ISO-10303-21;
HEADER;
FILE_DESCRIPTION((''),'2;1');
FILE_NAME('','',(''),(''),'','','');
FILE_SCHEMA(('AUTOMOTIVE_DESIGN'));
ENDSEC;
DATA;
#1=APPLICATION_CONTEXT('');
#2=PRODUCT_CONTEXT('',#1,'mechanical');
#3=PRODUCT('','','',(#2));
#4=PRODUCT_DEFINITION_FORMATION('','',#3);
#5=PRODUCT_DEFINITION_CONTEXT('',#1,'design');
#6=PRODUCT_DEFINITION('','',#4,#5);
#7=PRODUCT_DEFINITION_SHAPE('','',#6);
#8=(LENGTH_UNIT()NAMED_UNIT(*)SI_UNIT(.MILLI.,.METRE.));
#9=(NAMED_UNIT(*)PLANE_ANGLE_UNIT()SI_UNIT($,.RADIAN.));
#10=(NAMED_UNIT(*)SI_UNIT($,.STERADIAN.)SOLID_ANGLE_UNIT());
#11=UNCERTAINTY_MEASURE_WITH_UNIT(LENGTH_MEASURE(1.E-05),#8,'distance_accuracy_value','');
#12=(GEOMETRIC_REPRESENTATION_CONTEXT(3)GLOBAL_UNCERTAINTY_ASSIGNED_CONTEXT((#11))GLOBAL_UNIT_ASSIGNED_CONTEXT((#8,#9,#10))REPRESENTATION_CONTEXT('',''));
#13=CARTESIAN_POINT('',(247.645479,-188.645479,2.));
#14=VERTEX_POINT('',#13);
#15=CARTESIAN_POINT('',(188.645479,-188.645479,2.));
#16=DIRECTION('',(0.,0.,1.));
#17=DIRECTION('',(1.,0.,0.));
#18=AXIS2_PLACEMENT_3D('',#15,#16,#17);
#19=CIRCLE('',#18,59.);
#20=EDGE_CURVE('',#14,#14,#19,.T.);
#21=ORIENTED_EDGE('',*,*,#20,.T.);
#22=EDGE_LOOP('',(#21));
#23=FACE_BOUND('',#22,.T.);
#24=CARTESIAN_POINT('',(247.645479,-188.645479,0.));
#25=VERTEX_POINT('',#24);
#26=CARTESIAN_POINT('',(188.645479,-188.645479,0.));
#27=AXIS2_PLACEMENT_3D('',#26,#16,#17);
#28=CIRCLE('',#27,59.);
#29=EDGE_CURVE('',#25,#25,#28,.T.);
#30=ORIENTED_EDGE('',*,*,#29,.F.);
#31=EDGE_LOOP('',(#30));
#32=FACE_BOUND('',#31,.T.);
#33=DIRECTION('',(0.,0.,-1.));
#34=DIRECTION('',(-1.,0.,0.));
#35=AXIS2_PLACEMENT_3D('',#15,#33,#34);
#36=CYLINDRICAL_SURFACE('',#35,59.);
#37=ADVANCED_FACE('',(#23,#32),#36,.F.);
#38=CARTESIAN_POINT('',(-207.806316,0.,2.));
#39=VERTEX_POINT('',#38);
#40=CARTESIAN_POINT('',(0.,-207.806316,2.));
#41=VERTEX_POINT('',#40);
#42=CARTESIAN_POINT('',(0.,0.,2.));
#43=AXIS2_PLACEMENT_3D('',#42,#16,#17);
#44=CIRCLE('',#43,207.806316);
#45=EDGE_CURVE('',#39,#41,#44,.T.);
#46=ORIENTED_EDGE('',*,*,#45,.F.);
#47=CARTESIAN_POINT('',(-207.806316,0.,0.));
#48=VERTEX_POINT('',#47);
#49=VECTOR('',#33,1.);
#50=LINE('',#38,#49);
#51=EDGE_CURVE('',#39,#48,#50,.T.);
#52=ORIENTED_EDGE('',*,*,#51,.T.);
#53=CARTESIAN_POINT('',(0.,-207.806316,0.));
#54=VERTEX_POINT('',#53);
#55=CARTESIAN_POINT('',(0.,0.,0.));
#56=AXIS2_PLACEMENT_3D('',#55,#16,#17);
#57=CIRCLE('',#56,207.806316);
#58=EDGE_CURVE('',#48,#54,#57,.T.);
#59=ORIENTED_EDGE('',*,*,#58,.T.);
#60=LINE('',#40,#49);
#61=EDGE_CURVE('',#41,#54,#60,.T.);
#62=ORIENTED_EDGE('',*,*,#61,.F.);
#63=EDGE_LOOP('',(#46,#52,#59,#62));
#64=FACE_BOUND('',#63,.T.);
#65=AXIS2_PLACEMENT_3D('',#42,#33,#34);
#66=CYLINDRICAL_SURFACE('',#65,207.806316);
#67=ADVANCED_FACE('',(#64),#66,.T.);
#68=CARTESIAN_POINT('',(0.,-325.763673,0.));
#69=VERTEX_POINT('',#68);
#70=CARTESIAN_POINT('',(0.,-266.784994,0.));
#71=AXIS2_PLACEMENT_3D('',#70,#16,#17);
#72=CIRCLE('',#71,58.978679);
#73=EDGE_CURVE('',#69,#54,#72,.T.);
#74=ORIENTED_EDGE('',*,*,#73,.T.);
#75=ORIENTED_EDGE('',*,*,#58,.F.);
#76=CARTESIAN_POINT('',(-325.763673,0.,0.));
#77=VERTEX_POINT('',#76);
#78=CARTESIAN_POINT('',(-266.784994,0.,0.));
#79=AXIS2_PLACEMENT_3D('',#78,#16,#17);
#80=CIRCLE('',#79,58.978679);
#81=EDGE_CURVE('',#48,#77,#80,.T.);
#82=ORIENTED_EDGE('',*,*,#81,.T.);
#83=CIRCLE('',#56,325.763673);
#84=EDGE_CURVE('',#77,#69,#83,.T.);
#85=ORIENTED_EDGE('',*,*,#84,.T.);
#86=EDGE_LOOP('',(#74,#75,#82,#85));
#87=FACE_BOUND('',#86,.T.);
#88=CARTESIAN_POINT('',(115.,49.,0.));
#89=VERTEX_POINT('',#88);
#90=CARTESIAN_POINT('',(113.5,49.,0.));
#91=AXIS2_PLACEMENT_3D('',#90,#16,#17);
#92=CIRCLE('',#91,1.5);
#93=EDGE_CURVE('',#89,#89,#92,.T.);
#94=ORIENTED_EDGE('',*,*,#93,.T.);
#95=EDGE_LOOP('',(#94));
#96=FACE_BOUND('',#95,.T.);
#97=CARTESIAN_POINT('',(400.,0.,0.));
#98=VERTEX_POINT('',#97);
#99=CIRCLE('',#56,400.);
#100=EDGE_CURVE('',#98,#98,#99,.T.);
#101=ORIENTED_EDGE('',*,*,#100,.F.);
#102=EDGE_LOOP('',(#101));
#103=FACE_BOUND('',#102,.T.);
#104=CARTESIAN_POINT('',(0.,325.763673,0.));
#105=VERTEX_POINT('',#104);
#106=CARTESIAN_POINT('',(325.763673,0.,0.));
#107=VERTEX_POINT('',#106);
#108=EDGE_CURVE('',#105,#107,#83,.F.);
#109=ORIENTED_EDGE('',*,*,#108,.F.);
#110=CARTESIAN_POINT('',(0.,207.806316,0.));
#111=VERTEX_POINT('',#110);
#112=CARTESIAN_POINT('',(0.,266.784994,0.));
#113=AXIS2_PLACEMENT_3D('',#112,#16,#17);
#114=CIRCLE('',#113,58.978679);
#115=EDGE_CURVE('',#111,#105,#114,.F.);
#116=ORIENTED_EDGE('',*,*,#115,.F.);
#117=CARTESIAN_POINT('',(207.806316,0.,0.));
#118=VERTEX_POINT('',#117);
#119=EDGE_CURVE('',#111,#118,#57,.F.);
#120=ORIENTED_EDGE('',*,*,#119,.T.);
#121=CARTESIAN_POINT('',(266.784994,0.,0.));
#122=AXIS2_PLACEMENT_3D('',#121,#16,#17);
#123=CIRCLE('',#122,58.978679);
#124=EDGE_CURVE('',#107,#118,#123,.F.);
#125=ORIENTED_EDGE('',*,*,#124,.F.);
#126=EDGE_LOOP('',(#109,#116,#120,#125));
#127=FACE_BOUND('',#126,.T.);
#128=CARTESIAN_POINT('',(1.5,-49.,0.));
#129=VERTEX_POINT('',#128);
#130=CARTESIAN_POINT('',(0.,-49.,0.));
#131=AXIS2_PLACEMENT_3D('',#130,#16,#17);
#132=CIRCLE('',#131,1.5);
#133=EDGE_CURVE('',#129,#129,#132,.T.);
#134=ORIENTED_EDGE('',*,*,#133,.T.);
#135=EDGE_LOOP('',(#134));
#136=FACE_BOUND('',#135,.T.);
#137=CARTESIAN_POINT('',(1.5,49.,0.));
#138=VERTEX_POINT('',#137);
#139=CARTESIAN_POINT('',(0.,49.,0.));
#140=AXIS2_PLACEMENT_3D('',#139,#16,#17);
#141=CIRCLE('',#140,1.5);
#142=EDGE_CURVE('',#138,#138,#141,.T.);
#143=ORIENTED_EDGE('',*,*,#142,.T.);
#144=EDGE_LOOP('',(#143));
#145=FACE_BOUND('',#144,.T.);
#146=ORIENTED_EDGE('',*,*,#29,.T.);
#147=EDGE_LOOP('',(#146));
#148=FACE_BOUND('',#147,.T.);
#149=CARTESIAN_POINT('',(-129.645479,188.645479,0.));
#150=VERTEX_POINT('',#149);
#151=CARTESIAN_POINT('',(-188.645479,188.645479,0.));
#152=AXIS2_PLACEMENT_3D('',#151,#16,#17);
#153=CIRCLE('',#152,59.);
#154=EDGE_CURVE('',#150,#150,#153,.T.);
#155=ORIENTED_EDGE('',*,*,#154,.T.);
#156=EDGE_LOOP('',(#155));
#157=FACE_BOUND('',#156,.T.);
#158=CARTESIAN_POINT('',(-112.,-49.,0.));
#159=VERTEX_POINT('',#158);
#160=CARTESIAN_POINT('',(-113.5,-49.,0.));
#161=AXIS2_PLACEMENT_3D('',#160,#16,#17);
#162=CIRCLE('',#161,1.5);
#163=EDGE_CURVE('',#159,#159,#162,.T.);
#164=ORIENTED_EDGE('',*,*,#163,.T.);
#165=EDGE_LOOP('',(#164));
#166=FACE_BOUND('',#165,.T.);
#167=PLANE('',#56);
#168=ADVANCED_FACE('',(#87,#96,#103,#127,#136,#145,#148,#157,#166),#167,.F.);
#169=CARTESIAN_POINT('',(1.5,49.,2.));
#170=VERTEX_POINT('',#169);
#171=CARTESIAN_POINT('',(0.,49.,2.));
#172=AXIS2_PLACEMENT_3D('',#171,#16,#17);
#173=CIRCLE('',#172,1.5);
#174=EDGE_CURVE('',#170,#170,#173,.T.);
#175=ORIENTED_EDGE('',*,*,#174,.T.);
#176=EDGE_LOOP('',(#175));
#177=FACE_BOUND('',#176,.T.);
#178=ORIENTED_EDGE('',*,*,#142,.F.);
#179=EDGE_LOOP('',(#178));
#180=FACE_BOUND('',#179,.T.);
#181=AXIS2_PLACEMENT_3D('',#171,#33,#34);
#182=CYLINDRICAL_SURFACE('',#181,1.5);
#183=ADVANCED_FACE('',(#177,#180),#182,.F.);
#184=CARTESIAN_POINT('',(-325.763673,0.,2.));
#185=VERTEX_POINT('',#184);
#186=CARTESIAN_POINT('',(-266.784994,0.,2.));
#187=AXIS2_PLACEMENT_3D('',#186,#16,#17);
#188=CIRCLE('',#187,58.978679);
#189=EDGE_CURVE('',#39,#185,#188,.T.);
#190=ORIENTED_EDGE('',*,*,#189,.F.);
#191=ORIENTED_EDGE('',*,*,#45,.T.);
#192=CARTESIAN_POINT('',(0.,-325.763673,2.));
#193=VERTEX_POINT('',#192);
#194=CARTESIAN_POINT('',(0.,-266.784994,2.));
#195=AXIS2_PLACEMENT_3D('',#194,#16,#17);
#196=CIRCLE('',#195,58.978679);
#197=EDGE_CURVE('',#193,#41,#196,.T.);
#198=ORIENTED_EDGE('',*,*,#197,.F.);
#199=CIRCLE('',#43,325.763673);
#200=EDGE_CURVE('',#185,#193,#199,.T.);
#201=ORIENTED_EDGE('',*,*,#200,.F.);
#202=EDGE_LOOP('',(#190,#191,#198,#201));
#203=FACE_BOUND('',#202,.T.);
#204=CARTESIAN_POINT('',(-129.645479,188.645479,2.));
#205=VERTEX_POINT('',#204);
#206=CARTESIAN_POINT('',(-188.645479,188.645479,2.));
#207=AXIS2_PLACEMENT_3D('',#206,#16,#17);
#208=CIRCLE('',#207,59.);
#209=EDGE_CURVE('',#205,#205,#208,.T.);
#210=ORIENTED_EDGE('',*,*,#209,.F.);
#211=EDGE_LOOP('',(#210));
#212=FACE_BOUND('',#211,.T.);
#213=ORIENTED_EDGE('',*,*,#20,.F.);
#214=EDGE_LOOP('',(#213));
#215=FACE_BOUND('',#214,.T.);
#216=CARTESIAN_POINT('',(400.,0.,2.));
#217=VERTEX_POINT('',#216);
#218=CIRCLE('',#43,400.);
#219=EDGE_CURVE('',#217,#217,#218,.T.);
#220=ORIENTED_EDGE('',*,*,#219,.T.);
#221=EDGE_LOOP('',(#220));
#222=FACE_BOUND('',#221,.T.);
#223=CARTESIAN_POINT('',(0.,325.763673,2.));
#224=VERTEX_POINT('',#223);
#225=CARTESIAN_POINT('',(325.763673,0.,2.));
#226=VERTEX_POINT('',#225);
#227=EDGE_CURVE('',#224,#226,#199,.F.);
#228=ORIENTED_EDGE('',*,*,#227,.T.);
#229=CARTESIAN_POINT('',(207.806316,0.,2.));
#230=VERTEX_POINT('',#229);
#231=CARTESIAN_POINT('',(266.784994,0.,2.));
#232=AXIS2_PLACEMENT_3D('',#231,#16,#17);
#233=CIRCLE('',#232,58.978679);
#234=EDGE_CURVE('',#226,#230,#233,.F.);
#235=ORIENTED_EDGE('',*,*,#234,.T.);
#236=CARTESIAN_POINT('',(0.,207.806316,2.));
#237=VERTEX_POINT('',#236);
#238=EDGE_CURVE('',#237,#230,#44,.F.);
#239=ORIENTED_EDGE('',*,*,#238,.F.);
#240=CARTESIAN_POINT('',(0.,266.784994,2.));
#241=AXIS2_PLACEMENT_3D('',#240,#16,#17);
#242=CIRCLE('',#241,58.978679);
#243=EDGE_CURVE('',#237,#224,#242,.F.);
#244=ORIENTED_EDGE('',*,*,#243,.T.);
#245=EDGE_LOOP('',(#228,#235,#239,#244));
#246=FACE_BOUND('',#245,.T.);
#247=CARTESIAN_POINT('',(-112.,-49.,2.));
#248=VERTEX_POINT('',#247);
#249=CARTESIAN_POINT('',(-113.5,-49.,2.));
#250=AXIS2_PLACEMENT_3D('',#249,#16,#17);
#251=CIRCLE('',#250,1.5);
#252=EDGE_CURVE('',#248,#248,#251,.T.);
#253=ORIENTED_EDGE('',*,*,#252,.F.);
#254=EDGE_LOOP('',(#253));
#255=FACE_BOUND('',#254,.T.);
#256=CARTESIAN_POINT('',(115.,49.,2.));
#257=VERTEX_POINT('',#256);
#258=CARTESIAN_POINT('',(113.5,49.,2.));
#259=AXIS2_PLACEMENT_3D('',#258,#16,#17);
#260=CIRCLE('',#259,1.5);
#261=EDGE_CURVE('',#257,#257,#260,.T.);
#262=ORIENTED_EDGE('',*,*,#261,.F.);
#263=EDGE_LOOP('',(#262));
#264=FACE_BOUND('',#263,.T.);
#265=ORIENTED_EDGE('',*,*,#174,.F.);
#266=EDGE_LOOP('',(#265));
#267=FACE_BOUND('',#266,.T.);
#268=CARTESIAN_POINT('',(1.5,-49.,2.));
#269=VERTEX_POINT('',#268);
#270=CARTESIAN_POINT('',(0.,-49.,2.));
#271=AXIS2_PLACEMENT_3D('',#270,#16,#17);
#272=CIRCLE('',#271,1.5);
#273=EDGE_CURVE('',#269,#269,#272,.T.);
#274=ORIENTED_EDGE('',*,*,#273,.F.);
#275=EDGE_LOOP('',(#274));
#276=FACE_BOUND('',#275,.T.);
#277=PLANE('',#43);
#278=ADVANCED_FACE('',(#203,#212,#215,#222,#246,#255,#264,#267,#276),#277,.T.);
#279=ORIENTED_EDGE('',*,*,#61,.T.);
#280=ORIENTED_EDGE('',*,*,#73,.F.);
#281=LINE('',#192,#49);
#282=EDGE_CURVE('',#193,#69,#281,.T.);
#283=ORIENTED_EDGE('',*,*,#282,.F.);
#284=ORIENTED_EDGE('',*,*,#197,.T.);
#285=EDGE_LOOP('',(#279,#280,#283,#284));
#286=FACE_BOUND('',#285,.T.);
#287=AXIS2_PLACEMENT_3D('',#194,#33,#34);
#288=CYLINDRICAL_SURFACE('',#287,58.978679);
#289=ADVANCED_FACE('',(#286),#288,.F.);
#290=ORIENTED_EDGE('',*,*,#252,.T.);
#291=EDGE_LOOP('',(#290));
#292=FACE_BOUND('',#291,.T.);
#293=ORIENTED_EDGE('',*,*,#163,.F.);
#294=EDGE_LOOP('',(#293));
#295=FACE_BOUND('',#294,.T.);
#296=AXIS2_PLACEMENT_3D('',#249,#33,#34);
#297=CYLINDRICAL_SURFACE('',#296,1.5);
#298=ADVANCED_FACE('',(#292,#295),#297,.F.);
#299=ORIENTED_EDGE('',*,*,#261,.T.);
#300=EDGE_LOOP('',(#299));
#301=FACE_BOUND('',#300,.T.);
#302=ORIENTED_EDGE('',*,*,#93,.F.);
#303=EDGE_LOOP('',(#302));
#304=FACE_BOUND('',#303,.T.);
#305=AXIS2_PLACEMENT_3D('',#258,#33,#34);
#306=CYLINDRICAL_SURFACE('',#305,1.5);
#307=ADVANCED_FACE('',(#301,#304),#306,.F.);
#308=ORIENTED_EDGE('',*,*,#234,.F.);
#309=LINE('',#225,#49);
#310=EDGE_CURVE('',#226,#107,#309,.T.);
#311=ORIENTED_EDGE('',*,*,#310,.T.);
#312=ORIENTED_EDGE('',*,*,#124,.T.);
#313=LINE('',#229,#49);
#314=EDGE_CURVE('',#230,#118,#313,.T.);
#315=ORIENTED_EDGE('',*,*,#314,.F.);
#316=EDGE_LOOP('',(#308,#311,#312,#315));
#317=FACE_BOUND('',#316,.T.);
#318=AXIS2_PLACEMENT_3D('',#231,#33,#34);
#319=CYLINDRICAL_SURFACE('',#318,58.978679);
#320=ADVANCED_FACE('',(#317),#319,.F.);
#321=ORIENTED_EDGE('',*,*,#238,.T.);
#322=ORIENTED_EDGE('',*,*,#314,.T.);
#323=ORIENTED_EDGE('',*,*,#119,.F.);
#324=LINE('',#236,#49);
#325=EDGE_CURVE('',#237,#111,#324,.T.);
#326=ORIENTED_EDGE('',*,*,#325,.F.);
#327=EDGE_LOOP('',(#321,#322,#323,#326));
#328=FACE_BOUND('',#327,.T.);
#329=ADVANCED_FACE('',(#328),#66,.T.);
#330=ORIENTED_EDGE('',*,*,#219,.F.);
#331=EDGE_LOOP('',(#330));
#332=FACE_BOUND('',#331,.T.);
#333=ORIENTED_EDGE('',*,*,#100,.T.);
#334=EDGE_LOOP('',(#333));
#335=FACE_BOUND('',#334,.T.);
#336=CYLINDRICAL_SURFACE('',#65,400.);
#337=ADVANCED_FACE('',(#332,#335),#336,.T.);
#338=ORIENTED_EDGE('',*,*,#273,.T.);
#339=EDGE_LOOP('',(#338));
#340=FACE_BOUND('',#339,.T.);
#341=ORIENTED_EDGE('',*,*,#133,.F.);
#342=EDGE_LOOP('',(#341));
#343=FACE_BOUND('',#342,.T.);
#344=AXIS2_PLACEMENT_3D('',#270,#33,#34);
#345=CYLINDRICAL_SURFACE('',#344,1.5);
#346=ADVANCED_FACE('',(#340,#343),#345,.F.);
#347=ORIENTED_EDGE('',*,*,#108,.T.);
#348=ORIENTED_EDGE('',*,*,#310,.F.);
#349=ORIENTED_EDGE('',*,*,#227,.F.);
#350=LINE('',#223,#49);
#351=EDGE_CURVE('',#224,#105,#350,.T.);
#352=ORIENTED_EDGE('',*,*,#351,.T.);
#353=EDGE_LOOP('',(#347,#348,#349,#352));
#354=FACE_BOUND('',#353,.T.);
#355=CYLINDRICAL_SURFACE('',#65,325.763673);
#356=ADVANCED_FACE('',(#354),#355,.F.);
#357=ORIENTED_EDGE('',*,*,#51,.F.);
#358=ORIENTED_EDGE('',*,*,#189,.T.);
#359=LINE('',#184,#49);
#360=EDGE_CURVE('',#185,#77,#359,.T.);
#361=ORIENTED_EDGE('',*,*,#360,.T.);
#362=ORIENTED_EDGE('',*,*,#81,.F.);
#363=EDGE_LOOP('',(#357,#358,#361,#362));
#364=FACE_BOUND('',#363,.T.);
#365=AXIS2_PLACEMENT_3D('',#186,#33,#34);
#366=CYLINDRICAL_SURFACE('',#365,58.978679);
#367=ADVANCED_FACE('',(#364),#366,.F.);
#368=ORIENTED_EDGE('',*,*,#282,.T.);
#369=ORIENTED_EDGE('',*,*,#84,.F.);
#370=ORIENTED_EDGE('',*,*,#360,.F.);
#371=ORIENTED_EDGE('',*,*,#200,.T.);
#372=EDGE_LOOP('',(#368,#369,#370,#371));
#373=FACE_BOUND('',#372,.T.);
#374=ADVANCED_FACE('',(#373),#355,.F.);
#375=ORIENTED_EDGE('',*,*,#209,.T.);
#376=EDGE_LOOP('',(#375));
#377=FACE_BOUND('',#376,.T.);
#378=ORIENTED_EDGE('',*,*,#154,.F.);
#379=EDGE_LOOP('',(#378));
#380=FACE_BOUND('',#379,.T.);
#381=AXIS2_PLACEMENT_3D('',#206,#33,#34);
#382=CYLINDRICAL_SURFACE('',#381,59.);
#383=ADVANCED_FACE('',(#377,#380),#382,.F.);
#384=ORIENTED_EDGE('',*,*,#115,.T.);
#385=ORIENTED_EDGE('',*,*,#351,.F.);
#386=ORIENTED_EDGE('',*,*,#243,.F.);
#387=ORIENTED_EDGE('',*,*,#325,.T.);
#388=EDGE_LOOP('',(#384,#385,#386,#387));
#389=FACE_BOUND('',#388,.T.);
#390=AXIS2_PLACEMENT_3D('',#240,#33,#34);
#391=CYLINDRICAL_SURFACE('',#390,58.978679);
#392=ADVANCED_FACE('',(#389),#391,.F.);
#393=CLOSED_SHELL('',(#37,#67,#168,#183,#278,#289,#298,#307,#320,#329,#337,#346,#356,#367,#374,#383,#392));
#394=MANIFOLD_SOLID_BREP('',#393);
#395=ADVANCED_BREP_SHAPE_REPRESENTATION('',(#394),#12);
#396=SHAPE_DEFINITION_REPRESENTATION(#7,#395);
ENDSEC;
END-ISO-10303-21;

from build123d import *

# Parameters (mm, degrees)
SKETCH_1_R      = 400
SKETCH_1_R_2    = 1.5
SKETCH_1_R_3    = 59
EXTRUDE_1_DEPTH = 2


with BuildPart() as part:
    # 草图1 → 凸台-拉伸1 (new body)
    with BuildSketch(Plane.XY):
        Circle(SKETCH_1_R)
        with Locations((0, -49)):
            Circle(SKETCH_1_R_2, mode=Mode.SUBTRACT)
        with Locations((0, 49)):
            Circle(SKETCH_1_R_2, mode=Mode.SUBTRACT)
        with Locations((-113.5, -49)):
            Circle(SKETCH_1_R_2, mode=Mode.SUBTRACT)
        with Locations((113.5, 49)):
            Circle(SKETCH_1_R_2, mode=Mode.SUBTRACT)
        with Locations((-188.645478562, 188.645478562)):
            Circle(SKETCH_1_R_3, mode=Mode.SUBTRACT)
        with Locations((188.645478562, -188.645478562)):
            Circle(SKETCH_1_R_3, mode=Mode.SUBTRACT)
        with BuildLine():
            ThreePointArc((-325.763672953, 0), (-230.349702209, -230.349702209), (0, -325.763672953))
            ThreePointArc((0, -325.763672953), (58.97867869, -266.784994263), (0, -207.806315572))
            ThreePointArc((0, -207.806315572), (-146.941254915, -146.941254915), (-207.806315572, 0))
            ThreePointArc((-207.806315572, 0), (-266.784994263, 58.97867869), (-325.763672953, 0))
        make_face(mode=Mode.SUBTRACT)
        with BuildLine():
            ThreePointArc((0, 325.763672953), (230.349702209, 230.349702209), (325.763672953, 0))
            ThreePointArc((325.763672953, 0), (266.784994263, -58.97867869), (207.806315572, 0))
            ThreePointArc((207.806315572, 0), (146.941254915, 146.941254915), (0, 207.806315572))
            ThreePointArc((0, 207.806315572), (-58.97867869, 266.784994263), (0, 325.763672953))
        make_face(mode=Mode.SUBTRACT)
    extrude(amount=EXTRUDE_1_DEPTH)


solid = part.part
